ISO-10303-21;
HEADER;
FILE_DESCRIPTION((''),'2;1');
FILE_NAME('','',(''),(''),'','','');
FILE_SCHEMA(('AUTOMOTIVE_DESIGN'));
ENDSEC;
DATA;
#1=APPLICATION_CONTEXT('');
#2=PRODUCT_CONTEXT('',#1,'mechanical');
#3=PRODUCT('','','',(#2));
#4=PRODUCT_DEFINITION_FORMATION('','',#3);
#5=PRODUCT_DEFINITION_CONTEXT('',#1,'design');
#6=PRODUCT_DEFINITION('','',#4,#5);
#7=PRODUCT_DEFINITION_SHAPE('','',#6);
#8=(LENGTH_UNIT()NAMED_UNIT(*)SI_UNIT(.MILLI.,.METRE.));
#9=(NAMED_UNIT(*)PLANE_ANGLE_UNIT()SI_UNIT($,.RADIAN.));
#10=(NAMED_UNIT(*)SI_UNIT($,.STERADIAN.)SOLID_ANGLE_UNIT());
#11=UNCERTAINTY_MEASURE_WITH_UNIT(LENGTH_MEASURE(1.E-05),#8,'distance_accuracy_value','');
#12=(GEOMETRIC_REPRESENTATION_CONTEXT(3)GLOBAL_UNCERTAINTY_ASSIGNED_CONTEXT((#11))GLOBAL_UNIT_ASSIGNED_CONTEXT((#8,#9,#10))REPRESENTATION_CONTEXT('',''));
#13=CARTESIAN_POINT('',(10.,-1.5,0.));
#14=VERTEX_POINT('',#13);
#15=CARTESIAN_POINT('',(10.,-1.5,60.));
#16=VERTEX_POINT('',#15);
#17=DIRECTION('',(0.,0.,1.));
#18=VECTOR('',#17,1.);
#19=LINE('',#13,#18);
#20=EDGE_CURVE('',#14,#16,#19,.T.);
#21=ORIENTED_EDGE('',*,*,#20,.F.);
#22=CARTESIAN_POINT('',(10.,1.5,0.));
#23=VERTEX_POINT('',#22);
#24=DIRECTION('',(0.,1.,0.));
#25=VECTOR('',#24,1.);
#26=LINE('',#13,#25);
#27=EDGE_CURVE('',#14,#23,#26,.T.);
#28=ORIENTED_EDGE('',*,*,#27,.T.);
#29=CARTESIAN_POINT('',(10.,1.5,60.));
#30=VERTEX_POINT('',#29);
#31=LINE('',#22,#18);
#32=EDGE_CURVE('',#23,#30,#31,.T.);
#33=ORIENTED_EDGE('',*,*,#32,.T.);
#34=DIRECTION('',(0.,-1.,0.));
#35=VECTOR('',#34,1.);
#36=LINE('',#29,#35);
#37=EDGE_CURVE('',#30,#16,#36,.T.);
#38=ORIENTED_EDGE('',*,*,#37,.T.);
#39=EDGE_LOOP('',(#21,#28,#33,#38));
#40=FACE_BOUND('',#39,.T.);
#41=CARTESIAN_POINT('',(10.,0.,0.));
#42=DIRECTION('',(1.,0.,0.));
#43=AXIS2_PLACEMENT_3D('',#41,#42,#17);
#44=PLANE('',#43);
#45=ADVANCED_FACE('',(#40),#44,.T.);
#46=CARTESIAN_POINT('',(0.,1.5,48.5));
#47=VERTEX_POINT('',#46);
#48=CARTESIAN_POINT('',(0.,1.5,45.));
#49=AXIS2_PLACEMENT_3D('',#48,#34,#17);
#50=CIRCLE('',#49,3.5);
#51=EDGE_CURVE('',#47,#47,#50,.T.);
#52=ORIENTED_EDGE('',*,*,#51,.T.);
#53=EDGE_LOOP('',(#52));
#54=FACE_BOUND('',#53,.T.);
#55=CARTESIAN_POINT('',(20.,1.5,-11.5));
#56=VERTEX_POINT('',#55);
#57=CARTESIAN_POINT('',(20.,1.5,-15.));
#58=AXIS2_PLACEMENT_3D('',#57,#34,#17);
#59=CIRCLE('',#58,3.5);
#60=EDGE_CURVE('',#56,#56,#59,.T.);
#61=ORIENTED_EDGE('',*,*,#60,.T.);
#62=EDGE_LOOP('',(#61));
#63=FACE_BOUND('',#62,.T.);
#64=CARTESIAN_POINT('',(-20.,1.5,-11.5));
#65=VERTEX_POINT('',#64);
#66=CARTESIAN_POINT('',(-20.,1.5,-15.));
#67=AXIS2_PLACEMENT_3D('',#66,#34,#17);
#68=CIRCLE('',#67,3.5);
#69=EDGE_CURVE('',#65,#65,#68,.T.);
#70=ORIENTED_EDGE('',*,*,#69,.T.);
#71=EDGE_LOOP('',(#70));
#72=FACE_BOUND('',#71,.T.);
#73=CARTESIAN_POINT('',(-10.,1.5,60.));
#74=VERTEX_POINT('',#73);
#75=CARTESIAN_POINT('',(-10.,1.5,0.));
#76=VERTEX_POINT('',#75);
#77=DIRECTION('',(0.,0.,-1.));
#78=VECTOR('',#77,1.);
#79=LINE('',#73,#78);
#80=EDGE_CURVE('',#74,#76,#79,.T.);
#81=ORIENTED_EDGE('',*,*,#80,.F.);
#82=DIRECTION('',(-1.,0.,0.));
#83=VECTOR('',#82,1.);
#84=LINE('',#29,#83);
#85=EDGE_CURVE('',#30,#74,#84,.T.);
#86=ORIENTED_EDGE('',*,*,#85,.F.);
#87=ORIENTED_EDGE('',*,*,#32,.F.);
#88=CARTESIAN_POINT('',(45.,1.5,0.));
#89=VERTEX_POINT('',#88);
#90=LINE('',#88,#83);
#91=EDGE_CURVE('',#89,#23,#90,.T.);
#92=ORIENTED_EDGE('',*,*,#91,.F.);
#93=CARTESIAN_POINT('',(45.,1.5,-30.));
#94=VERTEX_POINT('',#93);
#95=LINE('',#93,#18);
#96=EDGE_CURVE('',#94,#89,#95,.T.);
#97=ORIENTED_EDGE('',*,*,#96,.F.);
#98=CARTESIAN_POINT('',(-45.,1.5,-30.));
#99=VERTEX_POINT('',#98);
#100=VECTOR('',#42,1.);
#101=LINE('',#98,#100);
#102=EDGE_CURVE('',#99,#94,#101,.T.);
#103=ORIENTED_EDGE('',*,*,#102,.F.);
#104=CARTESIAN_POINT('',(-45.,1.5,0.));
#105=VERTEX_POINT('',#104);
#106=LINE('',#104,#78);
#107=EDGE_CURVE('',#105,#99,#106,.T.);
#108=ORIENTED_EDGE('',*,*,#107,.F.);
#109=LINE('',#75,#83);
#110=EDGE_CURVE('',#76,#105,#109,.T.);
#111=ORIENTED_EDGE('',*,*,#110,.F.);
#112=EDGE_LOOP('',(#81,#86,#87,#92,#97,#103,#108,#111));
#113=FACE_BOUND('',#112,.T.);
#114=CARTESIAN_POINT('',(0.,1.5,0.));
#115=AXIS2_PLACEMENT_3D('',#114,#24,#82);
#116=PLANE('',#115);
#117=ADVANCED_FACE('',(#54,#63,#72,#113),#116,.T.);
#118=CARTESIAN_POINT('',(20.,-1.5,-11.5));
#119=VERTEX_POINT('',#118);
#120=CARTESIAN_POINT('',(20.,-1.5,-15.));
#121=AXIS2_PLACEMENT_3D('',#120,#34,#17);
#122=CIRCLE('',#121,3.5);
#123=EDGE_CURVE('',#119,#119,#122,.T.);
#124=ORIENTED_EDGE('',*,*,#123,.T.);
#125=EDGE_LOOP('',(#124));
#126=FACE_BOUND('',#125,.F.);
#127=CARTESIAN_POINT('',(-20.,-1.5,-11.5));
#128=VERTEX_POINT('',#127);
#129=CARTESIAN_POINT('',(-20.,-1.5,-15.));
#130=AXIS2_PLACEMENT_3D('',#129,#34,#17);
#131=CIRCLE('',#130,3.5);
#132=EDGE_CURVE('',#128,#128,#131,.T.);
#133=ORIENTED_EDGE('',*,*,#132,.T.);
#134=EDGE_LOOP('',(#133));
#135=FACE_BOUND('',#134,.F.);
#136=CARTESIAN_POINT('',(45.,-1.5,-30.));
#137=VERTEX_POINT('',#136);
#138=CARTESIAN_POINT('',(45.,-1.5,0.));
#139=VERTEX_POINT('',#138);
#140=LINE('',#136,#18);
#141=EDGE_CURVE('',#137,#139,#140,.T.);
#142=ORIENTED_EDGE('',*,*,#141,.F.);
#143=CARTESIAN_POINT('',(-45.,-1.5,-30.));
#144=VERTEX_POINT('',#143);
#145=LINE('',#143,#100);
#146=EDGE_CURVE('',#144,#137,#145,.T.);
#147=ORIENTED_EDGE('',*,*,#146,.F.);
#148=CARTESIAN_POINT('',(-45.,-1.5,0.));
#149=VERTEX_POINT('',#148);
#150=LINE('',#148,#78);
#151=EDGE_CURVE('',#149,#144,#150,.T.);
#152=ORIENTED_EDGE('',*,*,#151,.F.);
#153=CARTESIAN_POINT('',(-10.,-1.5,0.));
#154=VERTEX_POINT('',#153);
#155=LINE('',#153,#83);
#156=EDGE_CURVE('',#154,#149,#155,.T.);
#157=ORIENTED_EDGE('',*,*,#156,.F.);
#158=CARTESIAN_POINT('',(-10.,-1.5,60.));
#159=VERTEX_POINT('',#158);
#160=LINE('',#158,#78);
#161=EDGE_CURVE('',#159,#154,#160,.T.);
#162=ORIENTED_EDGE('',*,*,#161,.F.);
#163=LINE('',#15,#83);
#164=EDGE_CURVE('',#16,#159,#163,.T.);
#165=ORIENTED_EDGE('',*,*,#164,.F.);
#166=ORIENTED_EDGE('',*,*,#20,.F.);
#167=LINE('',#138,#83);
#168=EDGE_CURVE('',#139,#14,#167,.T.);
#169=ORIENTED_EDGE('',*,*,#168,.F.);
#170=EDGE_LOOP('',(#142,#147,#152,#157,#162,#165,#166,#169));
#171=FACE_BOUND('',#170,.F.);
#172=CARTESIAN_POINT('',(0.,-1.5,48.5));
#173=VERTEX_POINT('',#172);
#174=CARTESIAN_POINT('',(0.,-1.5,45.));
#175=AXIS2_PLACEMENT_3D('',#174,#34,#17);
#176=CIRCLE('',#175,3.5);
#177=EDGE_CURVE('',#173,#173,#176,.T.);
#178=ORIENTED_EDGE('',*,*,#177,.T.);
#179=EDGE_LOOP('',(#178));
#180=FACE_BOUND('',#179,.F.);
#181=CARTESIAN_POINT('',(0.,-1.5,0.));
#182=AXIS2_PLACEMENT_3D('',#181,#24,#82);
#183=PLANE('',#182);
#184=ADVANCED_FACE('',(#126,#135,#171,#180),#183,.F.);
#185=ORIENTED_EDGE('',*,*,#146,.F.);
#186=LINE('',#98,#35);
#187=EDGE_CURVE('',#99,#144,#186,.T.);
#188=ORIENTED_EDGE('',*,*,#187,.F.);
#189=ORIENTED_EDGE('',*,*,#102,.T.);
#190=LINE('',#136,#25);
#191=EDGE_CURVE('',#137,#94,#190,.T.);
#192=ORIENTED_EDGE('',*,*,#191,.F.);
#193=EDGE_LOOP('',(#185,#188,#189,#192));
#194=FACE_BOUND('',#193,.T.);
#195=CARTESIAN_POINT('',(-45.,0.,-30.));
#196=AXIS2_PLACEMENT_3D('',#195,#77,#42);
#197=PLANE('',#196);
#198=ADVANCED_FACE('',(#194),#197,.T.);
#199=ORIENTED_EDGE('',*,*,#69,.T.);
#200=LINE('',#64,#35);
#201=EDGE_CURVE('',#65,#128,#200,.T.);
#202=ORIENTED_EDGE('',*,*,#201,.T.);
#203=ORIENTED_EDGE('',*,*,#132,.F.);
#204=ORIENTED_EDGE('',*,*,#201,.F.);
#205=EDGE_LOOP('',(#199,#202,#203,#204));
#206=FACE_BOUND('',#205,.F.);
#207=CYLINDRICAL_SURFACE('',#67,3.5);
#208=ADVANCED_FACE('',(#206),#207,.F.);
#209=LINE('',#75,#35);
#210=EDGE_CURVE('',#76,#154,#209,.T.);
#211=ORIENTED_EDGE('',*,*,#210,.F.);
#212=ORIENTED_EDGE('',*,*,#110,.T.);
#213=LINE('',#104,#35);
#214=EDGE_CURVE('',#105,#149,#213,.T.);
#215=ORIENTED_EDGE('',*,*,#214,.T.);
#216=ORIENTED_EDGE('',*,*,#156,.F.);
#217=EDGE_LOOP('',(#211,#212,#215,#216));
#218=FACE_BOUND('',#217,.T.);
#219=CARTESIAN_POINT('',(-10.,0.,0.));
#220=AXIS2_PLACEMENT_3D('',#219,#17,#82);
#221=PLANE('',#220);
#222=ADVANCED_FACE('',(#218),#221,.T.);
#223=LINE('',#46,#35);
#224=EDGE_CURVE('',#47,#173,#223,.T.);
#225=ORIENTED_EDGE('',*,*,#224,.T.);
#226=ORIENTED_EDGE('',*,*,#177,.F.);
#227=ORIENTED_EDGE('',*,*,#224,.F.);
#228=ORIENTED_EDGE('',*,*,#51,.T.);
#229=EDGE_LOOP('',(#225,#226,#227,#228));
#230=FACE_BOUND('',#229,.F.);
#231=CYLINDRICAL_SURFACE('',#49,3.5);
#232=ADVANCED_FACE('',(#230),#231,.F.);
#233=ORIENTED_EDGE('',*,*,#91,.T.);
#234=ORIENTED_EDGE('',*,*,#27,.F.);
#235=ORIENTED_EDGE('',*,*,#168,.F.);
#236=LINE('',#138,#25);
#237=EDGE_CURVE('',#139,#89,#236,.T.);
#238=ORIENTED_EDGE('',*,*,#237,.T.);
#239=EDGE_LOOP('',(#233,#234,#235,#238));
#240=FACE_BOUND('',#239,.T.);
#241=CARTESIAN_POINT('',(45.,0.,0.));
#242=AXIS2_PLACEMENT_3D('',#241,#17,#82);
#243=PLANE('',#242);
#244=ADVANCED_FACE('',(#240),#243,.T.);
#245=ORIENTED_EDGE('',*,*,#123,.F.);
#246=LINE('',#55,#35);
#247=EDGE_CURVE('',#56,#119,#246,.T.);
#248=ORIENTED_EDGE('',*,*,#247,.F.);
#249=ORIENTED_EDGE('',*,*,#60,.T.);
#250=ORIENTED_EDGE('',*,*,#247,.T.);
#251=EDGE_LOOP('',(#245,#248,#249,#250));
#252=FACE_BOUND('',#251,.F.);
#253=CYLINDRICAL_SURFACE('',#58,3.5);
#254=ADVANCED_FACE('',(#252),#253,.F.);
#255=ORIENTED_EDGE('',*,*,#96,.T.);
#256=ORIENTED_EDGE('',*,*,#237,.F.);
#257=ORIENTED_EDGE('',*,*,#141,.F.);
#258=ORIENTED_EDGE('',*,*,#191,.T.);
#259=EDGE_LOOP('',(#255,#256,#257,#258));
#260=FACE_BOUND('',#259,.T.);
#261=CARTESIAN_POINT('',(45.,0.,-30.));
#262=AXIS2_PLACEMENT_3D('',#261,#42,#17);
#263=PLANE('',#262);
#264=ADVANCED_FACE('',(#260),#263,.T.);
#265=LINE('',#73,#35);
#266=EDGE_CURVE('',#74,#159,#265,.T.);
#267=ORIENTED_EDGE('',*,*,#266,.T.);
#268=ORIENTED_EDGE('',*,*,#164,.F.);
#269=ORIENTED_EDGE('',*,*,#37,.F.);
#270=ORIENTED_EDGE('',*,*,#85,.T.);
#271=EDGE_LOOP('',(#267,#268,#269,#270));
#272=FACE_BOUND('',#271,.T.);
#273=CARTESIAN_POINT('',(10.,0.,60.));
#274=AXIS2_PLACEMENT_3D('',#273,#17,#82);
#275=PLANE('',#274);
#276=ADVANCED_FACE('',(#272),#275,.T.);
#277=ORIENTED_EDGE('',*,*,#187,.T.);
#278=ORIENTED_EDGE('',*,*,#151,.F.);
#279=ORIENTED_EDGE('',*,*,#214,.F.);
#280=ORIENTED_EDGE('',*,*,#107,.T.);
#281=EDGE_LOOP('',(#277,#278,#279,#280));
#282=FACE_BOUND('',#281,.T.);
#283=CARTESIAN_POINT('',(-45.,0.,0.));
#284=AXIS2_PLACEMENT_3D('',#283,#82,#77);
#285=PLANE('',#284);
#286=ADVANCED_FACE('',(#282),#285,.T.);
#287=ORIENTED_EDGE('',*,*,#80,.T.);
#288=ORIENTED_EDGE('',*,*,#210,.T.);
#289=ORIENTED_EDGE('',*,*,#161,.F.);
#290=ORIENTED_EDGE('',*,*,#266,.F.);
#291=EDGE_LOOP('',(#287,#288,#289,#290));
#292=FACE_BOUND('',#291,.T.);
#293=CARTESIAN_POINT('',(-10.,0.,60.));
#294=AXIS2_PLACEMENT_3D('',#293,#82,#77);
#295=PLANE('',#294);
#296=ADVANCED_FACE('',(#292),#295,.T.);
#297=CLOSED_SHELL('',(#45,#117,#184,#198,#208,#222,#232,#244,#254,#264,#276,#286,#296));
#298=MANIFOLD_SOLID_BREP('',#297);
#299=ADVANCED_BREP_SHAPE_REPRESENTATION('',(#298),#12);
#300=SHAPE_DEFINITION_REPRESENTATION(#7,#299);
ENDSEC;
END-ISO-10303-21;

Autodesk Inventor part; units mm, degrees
ref_plane "YZ Plane" through (0, 0, 0) normal (1, 0, 0) x (0, 1, 0)
ref_plane "XZ Plane" through (0, 0, 0) normal (0, 1, 0) x (-1, 0, 0)
ref_plane "XY Plane" through (0, 0, 0) normal (0, 0, 1) x (1, 0, 0)
sketch "Sketch1" plane through (0, 0, 0) normal (0, 1, 0) x (-1, 0, 0)
  line L0 (-10, 0) -> (-10, 60)
  line L1 (-10, 60) -> (10, 60)
  line L2 (10, 60) -> (10, 0)
  line L3 (10, 0) -> (45, 0)
  line L4 (45, 0) -> (45, -30)
  line L5 (45, -30) -> (-45, -30)
  line L6 (-45, -30) -> (-45, 0)
  line L7 (-45, 0) -> (-10, 0)
  point P0 (0, 0)
  point P1 (0, 60)
  dimension "d0" = 20
  dimension "d1" = 30
  dimension "d2" = 60
  dimension "d3" = 90
extrude "Plate1" add sketch "Sketch1" along normal mid plane 3
sketch "Sketch2" plane through (0, 1.5, 0) normal (0, 1, 0) x (1, 0, 0)
  line L0 (10, -60) -> (-10, -60) projected
  line L1 (45, 30) -> (45, 0) projected
  line L2 (-45, 0) -> (-45, 30) projected
  point P0 (0, 0)
  point P1 (0, -45)
  point P2 (20, 15)
  point P3 (-20, 15)
  point P4 (-45, 15)
  dimension "d5" = 15
  dimension "d6" = 25
  dimension "d7" = 25
hole "Hole1" at (0, 1.5, 45) at (20, 1.5, -15) at (-20, 1.5, -15) direction (0, -1, 0) diameter 7 depth 3
equation "\"d6\" = d7"
equation "\"d13\" = Thickness"
equation "\"d4\" = Thickness"
equation "\"BendRadius\" = Thickness"
equation "\"BendReliefWidth\" = Thickness"
equation "\"BendReliefDepth\" = 0.5 * Thickness"
equation "\"CornerReliefSize\" = 4 * Thickness"
equation "\"MinimumRemnant\" = 2 * Thickness"
equation "\"TransitionRadius\" = BendRadius"
equation "\"JacobiRadiusSize\" = BendRadius"
equation "\"GapSize\" = Thickness"
equation "\"Thickness\" = 3"
properties part number "HCMUTE-CDT23-OP_TAMLOT" material "Stainless Steel"
